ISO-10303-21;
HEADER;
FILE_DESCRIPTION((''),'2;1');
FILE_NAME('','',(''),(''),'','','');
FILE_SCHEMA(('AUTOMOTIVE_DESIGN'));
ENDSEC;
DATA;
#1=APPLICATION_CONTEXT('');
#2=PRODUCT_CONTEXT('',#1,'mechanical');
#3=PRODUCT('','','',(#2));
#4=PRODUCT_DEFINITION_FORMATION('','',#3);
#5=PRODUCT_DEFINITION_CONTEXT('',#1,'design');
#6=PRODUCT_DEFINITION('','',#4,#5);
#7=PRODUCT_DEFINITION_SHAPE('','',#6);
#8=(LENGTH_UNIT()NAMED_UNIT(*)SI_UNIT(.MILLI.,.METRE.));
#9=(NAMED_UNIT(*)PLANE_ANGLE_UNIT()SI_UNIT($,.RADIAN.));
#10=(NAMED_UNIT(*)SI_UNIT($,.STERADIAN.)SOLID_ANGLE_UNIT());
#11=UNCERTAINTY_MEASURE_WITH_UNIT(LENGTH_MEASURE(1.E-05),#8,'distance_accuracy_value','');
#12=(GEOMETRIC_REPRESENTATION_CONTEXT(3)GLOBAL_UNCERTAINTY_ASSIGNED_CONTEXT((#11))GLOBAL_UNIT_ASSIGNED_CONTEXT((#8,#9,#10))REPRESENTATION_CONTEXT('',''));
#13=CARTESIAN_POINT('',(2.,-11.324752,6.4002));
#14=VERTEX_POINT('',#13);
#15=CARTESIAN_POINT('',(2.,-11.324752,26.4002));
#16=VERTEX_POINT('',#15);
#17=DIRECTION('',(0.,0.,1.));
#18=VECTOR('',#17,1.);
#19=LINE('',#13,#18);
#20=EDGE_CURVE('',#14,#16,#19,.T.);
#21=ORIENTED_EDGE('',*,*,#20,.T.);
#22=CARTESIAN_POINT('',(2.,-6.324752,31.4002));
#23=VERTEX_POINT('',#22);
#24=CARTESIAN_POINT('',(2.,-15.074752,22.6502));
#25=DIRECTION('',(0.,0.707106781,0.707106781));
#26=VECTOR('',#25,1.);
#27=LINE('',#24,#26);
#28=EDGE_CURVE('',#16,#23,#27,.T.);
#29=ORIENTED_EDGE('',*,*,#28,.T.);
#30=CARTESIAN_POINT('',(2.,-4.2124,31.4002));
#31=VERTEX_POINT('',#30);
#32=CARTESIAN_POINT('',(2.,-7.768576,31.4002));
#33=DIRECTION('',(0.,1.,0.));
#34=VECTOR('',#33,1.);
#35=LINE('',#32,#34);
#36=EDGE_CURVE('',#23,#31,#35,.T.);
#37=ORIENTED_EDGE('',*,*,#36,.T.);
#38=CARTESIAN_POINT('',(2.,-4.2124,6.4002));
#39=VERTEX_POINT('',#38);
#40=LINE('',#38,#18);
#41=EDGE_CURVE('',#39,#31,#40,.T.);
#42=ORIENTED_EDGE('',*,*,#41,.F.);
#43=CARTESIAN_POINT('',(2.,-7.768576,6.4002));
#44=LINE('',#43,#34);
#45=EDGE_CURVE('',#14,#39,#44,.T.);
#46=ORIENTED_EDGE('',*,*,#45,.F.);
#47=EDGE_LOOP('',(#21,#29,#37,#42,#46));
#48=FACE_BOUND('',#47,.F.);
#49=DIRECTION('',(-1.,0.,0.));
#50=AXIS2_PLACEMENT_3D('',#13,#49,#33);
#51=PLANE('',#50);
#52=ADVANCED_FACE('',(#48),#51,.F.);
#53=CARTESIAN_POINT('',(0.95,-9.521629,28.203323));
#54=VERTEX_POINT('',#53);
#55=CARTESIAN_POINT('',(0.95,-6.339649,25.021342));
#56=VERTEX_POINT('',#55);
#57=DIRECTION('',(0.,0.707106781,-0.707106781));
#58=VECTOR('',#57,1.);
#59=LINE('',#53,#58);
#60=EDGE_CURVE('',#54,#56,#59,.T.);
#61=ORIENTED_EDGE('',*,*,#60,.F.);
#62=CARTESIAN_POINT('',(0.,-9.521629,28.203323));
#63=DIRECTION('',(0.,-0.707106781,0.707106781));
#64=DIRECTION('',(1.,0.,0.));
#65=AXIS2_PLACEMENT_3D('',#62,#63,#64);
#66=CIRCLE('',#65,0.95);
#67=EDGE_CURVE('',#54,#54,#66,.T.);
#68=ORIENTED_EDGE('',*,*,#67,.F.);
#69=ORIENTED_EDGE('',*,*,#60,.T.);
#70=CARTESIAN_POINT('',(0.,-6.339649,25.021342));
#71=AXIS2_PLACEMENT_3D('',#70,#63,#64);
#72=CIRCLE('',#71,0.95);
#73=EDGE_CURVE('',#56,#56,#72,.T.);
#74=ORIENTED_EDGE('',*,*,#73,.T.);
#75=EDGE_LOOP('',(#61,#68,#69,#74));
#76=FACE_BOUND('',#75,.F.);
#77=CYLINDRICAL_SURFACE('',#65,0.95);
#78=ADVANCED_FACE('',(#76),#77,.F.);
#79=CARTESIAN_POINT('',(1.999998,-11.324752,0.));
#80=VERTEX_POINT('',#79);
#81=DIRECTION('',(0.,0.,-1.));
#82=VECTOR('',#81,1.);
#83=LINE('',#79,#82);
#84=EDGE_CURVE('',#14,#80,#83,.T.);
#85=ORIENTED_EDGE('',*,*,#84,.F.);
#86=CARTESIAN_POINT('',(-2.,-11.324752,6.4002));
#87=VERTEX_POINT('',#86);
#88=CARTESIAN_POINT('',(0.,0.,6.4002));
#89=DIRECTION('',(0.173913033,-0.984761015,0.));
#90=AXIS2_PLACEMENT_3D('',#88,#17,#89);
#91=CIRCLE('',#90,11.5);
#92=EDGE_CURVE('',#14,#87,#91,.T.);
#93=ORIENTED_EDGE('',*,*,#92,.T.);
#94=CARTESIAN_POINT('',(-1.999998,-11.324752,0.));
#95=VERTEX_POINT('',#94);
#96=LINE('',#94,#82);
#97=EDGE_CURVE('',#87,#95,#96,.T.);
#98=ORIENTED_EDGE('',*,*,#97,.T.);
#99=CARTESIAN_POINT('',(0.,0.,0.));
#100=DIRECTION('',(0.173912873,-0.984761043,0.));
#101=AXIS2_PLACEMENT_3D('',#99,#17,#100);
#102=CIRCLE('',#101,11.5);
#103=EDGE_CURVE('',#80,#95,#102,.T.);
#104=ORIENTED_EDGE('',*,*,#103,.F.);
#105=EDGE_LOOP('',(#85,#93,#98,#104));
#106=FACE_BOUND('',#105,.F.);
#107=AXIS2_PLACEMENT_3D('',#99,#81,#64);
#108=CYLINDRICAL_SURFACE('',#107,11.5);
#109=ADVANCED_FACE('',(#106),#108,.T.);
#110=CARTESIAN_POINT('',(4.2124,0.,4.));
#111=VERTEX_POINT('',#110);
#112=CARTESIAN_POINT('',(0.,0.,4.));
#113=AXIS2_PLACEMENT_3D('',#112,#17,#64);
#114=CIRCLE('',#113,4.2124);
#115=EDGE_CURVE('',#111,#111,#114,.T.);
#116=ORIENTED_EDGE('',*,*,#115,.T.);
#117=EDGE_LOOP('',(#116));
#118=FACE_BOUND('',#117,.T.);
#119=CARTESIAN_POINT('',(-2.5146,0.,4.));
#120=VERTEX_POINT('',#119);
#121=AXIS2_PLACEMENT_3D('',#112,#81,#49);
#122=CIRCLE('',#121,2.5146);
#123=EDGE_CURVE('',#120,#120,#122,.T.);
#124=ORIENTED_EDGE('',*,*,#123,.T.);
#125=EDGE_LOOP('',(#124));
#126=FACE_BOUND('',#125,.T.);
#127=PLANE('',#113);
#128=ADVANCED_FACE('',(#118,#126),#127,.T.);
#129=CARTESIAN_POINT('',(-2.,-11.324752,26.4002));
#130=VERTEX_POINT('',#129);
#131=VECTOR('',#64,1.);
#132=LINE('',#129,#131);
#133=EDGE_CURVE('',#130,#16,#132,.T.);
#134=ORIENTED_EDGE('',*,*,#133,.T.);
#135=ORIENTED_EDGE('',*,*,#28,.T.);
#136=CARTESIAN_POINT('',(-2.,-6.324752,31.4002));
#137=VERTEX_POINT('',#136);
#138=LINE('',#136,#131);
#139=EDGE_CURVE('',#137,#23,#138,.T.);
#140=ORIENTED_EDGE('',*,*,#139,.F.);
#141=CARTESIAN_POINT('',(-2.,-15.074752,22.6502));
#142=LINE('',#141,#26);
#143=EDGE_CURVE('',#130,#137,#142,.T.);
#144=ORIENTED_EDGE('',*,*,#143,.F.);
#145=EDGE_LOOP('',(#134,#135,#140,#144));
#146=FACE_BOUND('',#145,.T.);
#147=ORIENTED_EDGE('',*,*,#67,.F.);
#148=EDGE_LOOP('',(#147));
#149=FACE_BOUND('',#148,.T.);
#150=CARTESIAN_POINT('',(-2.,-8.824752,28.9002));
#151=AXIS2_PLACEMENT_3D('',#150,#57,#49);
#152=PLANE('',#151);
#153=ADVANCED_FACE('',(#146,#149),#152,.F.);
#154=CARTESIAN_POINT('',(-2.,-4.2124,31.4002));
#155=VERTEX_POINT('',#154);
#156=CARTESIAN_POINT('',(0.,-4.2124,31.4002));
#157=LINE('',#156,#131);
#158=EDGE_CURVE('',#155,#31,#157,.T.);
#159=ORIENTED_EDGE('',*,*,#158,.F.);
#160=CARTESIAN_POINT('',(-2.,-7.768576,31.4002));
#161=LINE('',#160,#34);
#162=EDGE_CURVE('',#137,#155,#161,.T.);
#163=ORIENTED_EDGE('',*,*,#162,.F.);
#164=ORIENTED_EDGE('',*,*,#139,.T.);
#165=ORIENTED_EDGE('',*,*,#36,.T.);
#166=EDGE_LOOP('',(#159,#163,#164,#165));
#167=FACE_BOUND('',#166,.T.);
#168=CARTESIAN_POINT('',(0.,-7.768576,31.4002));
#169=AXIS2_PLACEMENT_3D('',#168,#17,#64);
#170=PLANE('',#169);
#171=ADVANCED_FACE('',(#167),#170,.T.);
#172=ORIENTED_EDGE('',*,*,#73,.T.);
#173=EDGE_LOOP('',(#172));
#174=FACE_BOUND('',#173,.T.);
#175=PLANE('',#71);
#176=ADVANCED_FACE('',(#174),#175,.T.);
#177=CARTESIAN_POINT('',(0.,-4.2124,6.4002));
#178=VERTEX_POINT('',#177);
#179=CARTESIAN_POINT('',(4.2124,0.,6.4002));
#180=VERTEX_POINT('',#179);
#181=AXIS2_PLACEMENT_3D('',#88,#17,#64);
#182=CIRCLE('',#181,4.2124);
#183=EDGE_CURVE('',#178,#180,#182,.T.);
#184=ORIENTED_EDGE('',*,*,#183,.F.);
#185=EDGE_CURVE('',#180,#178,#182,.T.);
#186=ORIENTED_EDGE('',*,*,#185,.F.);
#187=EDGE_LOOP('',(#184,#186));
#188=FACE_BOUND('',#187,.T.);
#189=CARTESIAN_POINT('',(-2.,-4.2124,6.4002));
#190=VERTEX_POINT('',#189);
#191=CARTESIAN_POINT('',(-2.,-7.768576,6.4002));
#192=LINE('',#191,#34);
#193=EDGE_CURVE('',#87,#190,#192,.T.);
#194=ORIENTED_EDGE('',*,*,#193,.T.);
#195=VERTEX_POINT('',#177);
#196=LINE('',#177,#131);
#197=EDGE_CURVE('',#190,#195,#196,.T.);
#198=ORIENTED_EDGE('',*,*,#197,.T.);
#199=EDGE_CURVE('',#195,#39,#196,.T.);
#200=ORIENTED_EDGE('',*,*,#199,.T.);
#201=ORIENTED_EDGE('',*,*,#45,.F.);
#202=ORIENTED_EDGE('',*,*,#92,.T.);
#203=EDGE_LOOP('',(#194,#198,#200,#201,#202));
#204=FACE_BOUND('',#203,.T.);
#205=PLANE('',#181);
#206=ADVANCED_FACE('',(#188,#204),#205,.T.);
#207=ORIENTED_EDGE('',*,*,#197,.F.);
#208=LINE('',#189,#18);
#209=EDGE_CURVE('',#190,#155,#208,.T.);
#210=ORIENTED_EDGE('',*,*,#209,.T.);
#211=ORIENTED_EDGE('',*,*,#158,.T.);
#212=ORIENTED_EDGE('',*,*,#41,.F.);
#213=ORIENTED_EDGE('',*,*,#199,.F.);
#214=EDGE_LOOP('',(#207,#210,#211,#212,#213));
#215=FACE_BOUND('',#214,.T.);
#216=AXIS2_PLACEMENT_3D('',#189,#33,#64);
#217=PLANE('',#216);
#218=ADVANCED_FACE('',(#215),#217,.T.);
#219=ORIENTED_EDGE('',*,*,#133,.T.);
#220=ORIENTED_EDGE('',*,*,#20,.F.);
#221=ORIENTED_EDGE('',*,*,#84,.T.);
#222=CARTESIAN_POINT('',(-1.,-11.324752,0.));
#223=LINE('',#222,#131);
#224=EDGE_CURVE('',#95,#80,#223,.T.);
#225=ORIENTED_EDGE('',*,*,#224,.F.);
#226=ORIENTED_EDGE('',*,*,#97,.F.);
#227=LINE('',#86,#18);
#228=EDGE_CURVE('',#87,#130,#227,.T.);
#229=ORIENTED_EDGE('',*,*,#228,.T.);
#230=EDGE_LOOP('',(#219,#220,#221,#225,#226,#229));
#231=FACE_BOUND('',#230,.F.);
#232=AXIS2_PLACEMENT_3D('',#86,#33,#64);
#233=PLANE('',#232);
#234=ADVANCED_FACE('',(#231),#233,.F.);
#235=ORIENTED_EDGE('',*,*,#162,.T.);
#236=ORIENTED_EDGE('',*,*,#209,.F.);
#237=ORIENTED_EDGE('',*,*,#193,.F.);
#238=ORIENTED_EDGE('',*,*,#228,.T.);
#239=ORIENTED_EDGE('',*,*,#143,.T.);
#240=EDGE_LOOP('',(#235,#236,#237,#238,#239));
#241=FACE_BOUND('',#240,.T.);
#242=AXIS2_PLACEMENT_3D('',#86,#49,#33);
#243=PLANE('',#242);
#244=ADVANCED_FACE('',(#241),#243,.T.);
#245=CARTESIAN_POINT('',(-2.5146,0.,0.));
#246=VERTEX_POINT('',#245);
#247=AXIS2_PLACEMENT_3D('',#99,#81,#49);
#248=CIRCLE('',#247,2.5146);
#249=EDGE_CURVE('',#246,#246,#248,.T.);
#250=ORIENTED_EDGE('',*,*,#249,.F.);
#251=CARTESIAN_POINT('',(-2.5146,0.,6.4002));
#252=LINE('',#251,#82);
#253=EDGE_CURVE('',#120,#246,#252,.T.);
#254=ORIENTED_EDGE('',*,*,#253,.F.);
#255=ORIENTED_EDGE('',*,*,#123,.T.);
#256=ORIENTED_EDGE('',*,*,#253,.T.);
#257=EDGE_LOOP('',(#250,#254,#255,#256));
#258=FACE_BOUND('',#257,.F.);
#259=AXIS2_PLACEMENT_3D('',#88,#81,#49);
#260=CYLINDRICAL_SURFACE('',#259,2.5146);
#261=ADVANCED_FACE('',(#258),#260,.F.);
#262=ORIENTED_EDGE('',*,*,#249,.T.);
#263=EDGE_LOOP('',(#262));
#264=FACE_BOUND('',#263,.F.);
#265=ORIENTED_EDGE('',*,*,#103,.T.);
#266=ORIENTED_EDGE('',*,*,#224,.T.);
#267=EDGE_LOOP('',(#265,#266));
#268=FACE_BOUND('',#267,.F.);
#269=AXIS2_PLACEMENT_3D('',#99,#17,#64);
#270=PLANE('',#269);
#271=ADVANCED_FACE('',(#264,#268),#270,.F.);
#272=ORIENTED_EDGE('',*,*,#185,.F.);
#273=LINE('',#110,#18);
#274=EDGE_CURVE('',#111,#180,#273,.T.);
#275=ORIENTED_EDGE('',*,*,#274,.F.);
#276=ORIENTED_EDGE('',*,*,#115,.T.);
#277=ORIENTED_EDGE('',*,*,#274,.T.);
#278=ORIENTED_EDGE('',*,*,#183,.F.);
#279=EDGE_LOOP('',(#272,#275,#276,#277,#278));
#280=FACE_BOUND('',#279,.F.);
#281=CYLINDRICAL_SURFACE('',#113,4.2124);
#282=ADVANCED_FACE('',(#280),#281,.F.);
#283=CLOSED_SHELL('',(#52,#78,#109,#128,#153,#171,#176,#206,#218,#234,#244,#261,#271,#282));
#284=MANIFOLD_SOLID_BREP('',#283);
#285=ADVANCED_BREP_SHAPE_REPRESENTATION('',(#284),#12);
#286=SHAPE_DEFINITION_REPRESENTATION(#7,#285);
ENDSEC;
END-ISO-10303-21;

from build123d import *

# Parameters (mm, degrees)
SKETCH_R         = 11.5
PAD_DEPTH        = 6.4002
HOLE_D           = 5.0292
HOLE_CBORE_D     = 8.4248
HOLE_CBORE_DEPTH = 2.4002
SKETCH002_W      = 4
SKETCH002_H      = 7.112352
PAD001_DEPTH     = 25
CHAMFER_ANGLE    = 45
CHAMFER_SIZE     = 5
SKETCH003_R      = 0.95
POCKET_DEPTH     = 4.5
POCKET001_DEPTH  = 6.4012


with BuildPart() as part:
    # Sketch → Pad (new body)
    with BuildSketch(Plane.XY):
        Circle(SKETCH_R)
    extrude(amount=PAD_DEPTH)

    # Hole (through all)
    with Locations(Plane.XY.offset(6.4002)):
        with Locations((0, 0)):
            CounterBoreHole(HOLE_D / 2, HOLE_CBORE_D / 2, HOLE_CBORE_DEPTH)

    # Sketch002 (on DatumPlane) → Pad001 (join)
    with BuildSketch(Plane.XY.offset(6.4002)):
        with Locations((0, -7.768576)):
            Rectangle(SKETCH002_W, SKETCH002_H)
    extrude(amount=PAD001_DEPTH)

    # Chamfer
    chamfer_edges = [part.edges().sort_by_distance(p)[0] for p in [
        (0, -11.324752, 31.4002),
    ]]
    chamfer_side = part.faces().sort_by_distance((0, -11.324752, 18.9002))[0]
    chamfer(chamfer_edges, length=CHAMFER_SIZE, angle=CHAMFER_ANGLE, reference=chamfer_side)

    # Sketch003 (on Face3 of Chamfer) → Pocket (cut)
    with BuildSketch(Plane(origin=(0, -18.862476, 18.862476), x_dir=(1, 0, 0), z_dir=(0, -0.707107, 0.707107))):
        with Locations((0, 13.209952)):
            Circle(SKETCH003_R)
    extrude(amount=-POCKET_DEPTH, mode=Mode.SUBTRACT)

    # Sketch004 (on DatumPlane) → Pocket001 (cut, through all)
    with BuildSketch(Plane.XY.offset(6.4002)):
        with BuildLine():
            ThreePointArc((-2, -11.324752), (0, -11.5), (2, -11.324752))
            Line((-2, -11.324752), (2, -11.324752))
        make_face()
    extrude(amount=-POCKET001_DEPTH, mode=Mode.SUBTRACT)


solid = part.part
